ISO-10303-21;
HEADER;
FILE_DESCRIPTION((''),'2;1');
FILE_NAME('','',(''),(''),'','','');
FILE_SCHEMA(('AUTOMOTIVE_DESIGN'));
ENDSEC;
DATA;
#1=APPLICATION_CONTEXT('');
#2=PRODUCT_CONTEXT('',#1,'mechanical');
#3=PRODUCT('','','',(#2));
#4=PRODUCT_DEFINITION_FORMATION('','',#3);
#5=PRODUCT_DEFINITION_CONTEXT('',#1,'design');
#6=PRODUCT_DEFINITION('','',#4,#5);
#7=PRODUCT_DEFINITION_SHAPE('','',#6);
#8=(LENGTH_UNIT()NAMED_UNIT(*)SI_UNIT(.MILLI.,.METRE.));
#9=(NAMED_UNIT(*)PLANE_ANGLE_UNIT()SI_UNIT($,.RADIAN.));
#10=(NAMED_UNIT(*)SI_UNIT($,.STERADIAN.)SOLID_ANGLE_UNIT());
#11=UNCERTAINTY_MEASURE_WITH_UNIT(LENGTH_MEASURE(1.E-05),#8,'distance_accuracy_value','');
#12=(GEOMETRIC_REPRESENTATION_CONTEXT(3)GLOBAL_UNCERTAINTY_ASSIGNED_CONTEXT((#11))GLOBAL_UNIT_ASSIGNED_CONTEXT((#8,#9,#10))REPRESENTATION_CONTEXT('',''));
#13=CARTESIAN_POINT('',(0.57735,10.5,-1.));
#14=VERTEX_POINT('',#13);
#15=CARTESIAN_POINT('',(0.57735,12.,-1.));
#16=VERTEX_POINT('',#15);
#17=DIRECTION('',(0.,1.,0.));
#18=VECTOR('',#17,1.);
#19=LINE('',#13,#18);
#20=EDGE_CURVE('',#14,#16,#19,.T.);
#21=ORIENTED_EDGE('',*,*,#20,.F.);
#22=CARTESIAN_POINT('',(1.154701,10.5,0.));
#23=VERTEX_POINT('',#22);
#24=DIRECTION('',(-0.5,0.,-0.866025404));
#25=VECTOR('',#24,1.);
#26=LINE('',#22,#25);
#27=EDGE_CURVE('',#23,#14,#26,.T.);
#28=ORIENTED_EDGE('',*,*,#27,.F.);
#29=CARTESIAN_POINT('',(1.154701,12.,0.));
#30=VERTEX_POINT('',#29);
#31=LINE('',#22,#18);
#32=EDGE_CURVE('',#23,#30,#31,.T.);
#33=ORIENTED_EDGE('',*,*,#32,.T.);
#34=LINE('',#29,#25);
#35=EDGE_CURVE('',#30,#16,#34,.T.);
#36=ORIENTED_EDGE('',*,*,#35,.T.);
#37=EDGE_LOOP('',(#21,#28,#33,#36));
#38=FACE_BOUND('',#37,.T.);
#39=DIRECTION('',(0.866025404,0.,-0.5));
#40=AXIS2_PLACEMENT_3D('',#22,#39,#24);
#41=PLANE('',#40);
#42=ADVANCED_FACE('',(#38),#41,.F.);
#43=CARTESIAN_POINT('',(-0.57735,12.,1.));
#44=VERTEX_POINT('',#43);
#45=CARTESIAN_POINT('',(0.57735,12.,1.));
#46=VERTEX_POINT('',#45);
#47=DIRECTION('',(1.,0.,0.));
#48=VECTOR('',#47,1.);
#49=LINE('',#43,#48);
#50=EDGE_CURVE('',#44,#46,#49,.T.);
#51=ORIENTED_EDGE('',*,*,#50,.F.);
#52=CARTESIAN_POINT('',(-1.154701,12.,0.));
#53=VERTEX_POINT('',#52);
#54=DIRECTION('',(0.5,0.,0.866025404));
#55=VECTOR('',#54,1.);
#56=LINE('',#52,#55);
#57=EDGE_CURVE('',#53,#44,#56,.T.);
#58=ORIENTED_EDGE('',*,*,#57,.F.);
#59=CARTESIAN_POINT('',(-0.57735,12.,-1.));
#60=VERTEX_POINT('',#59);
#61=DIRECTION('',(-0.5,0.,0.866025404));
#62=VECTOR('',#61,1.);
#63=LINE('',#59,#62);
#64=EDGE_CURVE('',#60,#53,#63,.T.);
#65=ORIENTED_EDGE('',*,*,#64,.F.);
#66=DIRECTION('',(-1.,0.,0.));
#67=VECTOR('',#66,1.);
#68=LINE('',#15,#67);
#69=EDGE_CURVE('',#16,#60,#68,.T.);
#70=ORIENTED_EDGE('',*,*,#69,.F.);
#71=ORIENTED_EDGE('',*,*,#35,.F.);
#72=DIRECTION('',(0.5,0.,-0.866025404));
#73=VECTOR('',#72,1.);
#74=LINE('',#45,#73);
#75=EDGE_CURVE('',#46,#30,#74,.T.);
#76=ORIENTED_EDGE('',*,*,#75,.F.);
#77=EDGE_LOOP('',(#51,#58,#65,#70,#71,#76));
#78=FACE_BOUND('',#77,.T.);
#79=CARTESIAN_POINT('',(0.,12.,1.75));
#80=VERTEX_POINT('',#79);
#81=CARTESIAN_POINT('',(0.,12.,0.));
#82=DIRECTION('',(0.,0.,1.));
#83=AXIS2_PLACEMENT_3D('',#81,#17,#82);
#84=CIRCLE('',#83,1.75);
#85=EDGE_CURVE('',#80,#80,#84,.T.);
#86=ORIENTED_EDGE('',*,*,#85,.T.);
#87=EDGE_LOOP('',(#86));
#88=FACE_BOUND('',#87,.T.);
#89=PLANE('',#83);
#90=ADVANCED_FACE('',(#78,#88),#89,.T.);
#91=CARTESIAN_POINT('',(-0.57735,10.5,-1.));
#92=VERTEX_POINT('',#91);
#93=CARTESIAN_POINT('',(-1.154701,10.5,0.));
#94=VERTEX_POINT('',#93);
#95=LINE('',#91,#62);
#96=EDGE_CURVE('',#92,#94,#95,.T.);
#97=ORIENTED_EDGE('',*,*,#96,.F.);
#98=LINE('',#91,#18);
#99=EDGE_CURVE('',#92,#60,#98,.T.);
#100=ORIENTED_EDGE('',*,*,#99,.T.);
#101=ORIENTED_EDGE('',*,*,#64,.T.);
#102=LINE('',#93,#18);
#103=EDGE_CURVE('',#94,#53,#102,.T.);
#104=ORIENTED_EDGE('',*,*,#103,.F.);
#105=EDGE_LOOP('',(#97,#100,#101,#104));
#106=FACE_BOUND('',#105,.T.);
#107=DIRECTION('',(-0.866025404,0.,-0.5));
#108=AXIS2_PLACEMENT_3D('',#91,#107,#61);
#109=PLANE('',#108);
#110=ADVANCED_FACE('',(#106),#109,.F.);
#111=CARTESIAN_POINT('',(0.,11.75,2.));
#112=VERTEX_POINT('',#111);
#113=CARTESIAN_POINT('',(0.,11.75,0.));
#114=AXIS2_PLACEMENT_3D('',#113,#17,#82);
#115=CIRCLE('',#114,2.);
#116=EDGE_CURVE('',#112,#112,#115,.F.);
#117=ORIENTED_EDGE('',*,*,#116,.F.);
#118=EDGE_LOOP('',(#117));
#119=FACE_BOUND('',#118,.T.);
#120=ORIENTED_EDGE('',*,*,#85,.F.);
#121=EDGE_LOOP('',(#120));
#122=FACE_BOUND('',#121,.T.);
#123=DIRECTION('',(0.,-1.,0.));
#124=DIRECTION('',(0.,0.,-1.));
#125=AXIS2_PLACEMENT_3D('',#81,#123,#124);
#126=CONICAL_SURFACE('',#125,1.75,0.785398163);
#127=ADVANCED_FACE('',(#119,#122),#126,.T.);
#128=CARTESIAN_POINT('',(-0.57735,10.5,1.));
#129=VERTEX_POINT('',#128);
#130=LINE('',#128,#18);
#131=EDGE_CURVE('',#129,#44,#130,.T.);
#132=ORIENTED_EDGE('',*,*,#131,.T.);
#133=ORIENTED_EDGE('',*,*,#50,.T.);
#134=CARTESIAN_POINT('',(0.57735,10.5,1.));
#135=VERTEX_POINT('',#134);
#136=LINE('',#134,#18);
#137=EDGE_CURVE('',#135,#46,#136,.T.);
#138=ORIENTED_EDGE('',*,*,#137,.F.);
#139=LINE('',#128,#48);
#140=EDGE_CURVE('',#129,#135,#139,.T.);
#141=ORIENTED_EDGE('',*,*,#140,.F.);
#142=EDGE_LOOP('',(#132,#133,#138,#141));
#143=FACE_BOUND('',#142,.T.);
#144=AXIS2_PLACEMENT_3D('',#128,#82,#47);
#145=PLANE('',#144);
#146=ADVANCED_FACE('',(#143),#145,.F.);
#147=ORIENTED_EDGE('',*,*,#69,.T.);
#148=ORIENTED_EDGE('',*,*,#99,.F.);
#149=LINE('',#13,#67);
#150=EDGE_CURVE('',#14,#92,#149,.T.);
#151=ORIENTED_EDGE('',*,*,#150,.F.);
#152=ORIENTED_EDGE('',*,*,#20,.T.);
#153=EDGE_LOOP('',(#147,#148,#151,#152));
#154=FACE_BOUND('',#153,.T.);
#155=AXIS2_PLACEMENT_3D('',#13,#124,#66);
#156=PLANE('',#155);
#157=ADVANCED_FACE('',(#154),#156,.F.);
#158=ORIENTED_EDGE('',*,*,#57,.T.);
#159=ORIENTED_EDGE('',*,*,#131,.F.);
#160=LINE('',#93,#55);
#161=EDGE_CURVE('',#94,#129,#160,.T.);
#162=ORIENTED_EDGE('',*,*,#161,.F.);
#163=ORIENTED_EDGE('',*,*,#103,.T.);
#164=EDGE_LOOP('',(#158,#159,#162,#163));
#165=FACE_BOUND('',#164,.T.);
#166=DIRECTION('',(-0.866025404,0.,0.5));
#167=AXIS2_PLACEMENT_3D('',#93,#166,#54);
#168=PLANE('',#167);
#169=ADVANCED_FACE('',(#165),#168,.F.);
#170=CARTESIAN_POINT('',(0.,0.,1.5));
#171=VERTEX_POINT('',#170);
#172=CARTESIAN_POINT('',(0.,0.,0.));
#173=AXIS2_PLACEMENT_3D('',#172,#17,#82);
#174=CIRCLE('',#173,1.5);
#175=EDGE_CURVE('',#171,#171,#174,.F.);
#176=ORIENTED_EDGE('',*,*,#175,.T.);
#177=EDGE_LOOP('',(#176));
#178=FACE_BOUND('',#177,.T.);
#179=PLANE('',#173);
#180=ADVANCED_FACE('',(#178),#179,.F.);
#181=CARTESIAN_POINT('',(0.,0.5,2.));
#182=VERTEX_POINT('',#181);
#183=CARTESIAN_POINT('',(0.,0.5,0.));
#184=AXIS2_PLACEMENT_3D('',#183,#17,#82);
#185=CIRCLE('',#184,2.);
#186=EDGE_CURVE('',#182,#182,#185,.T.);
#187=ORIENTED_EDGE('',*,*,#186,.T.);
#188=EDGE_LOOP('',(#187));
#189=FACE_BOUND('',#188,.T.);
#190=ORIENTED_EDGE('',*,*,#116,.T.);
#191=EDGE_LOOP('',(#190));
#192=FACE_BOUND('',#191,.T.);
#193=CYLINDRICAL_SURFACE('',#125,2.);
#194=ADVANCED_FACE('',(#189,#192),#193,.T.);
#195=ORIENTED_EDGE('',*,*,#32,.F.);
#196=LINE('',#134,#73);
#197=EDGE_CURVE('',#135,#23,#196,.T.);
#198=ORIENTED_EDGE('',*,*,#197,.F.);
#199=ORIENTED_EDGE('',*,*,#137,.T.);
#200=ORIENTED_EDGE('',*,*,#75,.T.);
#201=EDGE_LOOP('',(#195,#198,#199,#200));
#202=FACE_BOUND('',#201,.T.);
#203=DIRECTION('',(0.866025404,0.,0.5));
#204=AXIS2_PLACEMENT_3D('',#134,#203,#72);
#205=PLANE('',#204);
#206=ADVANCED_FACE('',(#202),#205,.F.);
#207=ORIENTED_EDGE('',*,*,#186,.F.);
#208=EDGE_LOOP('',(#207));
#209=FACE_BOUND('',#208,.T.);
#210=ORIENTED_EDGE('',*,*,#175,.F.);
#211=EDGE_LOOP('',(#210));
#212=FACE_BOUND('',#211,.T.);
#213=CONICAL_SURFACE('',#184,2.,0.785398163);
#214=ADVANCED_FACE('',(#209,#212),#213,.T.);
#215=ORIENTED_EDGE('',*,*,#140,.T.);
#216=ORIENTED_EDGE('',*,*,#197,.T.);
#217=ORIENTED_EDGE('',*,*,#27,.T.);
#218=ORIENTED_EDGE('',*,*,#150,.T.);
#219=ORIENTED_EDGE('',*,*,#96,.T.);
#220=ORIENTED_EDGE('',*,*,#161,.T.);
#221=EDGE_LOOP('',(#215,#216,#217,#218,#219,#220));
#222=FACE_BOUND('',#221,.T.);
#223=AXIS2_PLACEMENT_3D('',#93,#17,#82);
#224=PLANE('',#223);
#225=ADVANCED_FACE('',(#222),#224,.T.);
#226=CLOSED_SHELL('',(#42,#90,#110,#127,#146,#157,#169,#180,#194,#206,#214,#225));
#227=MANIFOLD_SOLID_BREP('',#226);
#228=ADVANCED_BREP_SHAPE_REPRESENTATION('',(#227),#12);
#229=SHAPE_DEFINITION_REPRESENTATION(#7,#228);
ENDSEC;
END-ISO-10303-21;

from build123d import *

# Parameters (mm, degrees)
SKETCH1_R      = 2
EXTRUDE1_DEPTH = 12
CHAMFER1_SIZE  = 0.25
CHAMFER2_SIZE  = 0.5
EXTRUDE2_DEPTH = 1.5


with BuildPart() as part:
    # Sketch1 → Extrude1 (new body)
    with BuildSketch(Plane(origin=(0, 0, 0), x_dir=(1, 0, 0), z_dir=(0, 1, 0))):
        with Locations(Location((0, 0, 0), (0, 0, 270))):
            Circle(SKETCH1_R)
    extrude(amount=EXTRUDE1_DEPTH)

    # Chamfer1
    chamfer1_edges = [part.edges().sort_by_distance(p)[0] for p in [
        (0, 12, -2),
    ]]
    chamfer(chamfer1_edges, length=CHAMFER1_SIZE)

    # Chamfer2
    chamfer2_edges = [part.edges().sort_by_distance(p)[0] for p in [
        (0, 0, -2),
    ]]
    chamfer(chamfer2_edges, length=CHAMFER2_SIZE)

    # Sketch2 → Extrude2 (cut)
    with BuildSketch(Plane(origin=(0, 12, 0), x_dir=(1, 0, 0), z_dir=(0, 1, 0))):
        Polygon((-1.154700538, 0), (-0.577350269, -1), (0.577350269, -1), (1.154700538, 0), (0.577350269, 1), (-0.577350269, 1), align=None)
    extrude(amount=-EXTRUDE2_DEPTH, mode=Mode.SUBTRACT)


solid = part.part
